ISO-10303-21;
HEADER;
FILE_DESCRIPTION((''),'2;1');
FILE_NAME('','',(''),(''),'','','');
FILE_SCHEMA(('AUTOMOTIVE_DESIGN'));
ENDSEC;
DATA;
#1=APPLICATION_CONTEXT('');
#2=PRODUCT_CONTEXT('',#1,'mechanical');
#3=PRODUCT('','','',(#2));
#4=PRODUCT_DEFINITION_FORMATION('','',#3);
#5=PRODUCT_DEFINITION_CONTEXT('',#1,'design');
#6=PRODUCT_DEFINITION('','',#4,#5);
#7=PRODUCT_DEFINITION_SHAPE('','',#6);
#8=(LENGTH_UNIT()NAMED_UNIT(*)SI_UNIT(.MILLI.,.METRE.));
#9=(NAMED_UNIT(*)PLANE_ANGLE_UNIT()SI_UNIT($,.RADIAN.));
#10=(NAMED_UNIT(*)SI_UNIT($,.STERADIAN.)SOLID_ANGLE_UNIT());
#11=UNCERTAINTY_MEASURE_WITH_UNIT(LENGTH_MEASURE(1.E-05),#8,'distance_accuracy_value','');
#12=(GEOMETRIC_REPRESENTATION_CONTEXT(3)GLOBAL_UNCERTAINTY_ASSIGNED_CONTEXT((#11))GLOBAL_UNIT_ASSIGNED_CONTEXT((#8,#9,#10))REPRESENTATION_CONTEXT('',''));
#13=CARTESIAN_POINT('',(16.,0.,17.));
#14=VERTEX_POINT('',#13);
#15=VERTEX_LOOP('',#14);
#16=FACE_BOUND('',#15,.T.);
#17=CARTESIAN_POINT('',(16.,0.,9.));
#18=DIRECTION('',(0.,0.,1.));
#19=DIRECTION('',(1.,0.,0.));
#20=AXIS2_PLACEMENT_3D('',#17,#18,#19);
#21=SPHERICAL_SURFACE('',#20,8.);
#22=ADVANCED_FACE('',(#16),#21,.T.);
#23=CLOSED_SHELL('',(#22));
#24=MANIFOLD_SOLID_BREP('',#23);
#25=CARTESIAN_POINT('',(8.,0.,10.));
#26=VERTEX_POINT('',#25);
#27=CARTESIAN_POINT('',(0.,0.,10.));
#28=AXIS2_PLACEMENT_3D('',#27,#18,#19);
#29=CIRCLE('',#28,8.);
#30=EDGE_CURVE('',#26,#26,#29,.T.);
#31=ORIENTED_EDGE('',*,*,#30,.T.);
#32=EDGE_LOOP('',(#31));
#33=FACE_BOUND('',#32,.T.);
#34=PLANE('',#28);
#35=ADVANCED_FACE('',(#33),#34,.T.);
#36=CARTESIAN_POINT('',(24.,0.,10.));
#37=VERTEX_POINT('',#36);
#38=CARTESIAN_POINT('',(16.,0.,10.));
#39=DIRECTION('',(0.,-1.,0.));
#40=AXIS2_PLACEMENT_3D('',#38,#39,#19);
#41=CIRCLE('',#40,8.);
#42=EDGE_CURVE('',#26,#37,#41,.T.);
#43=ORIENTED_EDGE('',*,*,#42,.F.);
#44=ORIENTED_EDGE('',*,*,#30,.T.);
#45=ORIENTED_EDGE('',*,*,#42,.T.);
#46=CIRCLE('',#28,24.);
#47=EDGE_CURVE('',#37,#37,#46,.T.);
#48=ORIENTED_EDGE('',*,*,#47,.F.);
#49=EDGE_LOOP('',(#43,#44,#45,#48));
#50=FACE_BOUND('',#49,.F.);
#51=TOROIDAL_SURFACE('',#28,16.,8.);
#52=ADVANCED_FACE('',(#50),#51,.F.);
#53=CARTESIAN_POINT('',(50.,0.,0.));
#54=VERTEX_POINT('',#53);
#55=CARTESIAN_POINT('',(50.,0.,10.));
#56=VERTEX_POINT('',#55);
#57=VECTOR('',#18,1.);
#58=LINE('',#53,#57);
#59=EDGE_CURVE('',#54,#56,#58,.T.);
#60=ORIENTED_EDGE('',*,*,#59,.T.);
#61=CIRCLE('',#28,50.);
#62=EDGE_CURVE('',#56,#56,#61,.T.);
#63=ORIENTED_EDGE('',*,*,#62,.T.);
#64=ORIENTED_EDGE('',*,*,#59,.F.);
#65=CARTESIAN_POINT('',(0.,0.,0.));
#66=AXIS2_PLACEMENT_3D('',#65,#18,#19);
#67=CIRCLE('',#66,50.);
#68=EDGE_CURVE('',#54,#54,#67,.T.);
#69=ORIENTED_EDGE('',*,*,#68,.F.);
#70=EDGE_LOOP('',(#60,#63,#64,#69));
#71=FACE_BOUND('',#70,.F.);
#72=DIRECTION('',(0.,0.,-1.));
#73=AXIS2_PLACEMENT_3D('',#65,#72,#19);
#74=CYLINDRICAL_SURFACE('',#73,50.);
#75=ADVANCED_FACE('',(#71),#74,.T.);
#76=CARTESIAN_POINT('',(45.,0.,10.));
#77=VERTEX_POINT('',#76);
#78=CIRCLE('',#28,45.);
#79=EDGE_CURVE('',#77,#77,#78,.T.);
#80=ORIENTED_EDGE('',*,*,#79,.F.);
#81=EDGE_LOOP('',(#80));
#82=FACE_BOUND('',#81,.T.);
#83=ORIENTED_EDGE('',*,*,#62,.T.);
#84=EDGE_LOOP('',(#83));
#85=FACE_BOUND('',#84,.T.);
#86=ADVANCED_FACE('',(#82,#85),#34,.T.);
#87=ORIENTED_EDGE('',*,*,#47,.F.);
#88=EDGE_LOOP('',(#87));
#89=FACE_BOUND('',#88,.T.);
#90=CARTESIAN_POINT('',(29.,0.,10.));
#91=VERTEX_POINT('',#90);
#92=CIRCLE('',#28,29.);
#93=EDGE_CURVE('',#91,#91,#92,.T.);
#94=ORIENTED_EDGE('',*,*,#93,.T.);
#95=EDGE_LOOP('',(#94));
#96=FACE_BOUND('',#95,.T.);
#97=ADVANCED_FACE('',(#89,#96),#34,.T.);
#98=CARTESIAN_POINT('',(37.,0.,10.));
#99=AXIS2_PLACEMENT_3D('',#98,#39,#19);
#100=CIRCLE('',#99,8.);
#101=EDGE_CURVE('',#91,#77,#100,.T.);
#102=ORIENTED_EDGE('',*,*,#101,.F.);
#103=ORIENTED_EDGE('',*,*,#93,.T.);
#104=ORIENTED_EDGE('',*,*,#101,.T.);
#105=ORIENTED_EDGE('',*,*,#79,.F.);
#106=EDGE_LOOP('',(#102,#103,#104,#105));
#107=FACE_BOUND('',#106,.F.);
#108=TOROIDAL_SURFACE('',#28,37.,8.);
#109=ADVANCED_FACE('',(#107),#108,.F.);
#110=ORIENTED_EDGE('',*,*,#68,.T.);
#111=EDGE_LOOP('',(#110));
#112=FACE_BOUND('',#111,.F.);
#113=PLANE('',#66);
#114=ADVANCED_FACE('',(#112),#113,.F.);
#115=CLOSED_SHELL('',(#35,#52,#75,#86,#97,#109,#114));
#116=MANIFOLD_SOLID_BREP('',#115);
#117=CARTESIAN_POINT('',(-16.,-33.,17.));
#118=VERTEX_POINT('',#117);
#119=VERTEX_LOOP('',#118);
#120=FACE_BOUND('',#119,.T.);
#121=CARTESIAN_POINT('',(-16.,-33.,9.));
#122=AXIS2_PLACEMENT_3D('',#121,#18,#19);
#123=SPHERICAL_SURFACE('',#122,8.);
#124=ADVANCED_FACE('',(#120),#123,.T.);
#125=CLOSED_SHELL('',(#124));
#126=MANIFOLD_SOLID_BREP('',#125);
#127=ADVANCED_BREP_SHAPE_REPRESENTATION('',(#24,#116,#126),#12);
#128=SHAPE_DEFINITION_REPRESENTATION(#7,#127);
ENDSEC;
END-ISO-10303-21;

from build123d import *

# Parameters (mm, degrees)
TORUS_R        = 8
TORUS001_R     = 8
CYLINDER_R     = 50
CYLINDER_DEPTH = 10


with BuildPart() as torus:
    # Torus → Torus (revolve)
    with BuildSketch(Plane(origin=(0, 0, 10), x_dir=(1, 0, 0), z_dir=(0, -1, 0))):
        with Locations((16, 0)):
            Circle(TORUS_R)
    revolve(axis=Axis((0, 0, 10), (0, 0, 1)))


with BuildPart() as fusion:
    # Torus001 → Torus001 (revolve)
    with BuildSketch(Plane(origin=(0, 0, 10), x_dir=(1, 0, 0), z_dir=(0, -1, 0))):
        with Locations((37, 0)):
            Circle(TORUS001_R)
    revolve(axis=Axis((0, 0, 10), (0, 0, 1)))

    # Fusion: union Torus
    add(torus.part)


with BuildPart() as porta_bales:
    # Cylinder → Cylinder (new body)
    with BuildSketch(Plane.XY):
        Circle(CYLINDER_R)
    extrude(amount=CYLINDER_DEPTH)

    # Cut: cut Fusion
    add(fusion.part, mode=Mode.SUBTRACT)


with BuildPart() as sphere:
    # Sphere → Sphere (revolve)
    with BuildSketch(Plane(origin=(16, 0, 9), x_dir=(1, 0, 0), z_dir=(0, -1, 0))):
        with BuildLine():
            ThreePointArc((0, -8), (8, 0), (0, 8))
            Line((0, 8), (0, -8))
        make_face()
    revolve(axis=Axis((16, 0, 9), (0, 0, 1)))


with BuildPart() as sphere001:
    # Sphere001 → Sphere001 (revolve)
    with BuildSketch(Plane(origin=(-16, -33, 9), x_dir=(1, 0, 0), z_dir=(0, -1, 0))):
        with BuildLine():
            ThreePointArc((0, -8), (8, 0), (0, 8))
            Line((0, 8), (0, -8))
        make_face()
    revolve(axis=Axis((-16, -33, 9), (0, 0, 1)))


solid = Compound([porta_bales.part, sphere.part, sphere001.part])
